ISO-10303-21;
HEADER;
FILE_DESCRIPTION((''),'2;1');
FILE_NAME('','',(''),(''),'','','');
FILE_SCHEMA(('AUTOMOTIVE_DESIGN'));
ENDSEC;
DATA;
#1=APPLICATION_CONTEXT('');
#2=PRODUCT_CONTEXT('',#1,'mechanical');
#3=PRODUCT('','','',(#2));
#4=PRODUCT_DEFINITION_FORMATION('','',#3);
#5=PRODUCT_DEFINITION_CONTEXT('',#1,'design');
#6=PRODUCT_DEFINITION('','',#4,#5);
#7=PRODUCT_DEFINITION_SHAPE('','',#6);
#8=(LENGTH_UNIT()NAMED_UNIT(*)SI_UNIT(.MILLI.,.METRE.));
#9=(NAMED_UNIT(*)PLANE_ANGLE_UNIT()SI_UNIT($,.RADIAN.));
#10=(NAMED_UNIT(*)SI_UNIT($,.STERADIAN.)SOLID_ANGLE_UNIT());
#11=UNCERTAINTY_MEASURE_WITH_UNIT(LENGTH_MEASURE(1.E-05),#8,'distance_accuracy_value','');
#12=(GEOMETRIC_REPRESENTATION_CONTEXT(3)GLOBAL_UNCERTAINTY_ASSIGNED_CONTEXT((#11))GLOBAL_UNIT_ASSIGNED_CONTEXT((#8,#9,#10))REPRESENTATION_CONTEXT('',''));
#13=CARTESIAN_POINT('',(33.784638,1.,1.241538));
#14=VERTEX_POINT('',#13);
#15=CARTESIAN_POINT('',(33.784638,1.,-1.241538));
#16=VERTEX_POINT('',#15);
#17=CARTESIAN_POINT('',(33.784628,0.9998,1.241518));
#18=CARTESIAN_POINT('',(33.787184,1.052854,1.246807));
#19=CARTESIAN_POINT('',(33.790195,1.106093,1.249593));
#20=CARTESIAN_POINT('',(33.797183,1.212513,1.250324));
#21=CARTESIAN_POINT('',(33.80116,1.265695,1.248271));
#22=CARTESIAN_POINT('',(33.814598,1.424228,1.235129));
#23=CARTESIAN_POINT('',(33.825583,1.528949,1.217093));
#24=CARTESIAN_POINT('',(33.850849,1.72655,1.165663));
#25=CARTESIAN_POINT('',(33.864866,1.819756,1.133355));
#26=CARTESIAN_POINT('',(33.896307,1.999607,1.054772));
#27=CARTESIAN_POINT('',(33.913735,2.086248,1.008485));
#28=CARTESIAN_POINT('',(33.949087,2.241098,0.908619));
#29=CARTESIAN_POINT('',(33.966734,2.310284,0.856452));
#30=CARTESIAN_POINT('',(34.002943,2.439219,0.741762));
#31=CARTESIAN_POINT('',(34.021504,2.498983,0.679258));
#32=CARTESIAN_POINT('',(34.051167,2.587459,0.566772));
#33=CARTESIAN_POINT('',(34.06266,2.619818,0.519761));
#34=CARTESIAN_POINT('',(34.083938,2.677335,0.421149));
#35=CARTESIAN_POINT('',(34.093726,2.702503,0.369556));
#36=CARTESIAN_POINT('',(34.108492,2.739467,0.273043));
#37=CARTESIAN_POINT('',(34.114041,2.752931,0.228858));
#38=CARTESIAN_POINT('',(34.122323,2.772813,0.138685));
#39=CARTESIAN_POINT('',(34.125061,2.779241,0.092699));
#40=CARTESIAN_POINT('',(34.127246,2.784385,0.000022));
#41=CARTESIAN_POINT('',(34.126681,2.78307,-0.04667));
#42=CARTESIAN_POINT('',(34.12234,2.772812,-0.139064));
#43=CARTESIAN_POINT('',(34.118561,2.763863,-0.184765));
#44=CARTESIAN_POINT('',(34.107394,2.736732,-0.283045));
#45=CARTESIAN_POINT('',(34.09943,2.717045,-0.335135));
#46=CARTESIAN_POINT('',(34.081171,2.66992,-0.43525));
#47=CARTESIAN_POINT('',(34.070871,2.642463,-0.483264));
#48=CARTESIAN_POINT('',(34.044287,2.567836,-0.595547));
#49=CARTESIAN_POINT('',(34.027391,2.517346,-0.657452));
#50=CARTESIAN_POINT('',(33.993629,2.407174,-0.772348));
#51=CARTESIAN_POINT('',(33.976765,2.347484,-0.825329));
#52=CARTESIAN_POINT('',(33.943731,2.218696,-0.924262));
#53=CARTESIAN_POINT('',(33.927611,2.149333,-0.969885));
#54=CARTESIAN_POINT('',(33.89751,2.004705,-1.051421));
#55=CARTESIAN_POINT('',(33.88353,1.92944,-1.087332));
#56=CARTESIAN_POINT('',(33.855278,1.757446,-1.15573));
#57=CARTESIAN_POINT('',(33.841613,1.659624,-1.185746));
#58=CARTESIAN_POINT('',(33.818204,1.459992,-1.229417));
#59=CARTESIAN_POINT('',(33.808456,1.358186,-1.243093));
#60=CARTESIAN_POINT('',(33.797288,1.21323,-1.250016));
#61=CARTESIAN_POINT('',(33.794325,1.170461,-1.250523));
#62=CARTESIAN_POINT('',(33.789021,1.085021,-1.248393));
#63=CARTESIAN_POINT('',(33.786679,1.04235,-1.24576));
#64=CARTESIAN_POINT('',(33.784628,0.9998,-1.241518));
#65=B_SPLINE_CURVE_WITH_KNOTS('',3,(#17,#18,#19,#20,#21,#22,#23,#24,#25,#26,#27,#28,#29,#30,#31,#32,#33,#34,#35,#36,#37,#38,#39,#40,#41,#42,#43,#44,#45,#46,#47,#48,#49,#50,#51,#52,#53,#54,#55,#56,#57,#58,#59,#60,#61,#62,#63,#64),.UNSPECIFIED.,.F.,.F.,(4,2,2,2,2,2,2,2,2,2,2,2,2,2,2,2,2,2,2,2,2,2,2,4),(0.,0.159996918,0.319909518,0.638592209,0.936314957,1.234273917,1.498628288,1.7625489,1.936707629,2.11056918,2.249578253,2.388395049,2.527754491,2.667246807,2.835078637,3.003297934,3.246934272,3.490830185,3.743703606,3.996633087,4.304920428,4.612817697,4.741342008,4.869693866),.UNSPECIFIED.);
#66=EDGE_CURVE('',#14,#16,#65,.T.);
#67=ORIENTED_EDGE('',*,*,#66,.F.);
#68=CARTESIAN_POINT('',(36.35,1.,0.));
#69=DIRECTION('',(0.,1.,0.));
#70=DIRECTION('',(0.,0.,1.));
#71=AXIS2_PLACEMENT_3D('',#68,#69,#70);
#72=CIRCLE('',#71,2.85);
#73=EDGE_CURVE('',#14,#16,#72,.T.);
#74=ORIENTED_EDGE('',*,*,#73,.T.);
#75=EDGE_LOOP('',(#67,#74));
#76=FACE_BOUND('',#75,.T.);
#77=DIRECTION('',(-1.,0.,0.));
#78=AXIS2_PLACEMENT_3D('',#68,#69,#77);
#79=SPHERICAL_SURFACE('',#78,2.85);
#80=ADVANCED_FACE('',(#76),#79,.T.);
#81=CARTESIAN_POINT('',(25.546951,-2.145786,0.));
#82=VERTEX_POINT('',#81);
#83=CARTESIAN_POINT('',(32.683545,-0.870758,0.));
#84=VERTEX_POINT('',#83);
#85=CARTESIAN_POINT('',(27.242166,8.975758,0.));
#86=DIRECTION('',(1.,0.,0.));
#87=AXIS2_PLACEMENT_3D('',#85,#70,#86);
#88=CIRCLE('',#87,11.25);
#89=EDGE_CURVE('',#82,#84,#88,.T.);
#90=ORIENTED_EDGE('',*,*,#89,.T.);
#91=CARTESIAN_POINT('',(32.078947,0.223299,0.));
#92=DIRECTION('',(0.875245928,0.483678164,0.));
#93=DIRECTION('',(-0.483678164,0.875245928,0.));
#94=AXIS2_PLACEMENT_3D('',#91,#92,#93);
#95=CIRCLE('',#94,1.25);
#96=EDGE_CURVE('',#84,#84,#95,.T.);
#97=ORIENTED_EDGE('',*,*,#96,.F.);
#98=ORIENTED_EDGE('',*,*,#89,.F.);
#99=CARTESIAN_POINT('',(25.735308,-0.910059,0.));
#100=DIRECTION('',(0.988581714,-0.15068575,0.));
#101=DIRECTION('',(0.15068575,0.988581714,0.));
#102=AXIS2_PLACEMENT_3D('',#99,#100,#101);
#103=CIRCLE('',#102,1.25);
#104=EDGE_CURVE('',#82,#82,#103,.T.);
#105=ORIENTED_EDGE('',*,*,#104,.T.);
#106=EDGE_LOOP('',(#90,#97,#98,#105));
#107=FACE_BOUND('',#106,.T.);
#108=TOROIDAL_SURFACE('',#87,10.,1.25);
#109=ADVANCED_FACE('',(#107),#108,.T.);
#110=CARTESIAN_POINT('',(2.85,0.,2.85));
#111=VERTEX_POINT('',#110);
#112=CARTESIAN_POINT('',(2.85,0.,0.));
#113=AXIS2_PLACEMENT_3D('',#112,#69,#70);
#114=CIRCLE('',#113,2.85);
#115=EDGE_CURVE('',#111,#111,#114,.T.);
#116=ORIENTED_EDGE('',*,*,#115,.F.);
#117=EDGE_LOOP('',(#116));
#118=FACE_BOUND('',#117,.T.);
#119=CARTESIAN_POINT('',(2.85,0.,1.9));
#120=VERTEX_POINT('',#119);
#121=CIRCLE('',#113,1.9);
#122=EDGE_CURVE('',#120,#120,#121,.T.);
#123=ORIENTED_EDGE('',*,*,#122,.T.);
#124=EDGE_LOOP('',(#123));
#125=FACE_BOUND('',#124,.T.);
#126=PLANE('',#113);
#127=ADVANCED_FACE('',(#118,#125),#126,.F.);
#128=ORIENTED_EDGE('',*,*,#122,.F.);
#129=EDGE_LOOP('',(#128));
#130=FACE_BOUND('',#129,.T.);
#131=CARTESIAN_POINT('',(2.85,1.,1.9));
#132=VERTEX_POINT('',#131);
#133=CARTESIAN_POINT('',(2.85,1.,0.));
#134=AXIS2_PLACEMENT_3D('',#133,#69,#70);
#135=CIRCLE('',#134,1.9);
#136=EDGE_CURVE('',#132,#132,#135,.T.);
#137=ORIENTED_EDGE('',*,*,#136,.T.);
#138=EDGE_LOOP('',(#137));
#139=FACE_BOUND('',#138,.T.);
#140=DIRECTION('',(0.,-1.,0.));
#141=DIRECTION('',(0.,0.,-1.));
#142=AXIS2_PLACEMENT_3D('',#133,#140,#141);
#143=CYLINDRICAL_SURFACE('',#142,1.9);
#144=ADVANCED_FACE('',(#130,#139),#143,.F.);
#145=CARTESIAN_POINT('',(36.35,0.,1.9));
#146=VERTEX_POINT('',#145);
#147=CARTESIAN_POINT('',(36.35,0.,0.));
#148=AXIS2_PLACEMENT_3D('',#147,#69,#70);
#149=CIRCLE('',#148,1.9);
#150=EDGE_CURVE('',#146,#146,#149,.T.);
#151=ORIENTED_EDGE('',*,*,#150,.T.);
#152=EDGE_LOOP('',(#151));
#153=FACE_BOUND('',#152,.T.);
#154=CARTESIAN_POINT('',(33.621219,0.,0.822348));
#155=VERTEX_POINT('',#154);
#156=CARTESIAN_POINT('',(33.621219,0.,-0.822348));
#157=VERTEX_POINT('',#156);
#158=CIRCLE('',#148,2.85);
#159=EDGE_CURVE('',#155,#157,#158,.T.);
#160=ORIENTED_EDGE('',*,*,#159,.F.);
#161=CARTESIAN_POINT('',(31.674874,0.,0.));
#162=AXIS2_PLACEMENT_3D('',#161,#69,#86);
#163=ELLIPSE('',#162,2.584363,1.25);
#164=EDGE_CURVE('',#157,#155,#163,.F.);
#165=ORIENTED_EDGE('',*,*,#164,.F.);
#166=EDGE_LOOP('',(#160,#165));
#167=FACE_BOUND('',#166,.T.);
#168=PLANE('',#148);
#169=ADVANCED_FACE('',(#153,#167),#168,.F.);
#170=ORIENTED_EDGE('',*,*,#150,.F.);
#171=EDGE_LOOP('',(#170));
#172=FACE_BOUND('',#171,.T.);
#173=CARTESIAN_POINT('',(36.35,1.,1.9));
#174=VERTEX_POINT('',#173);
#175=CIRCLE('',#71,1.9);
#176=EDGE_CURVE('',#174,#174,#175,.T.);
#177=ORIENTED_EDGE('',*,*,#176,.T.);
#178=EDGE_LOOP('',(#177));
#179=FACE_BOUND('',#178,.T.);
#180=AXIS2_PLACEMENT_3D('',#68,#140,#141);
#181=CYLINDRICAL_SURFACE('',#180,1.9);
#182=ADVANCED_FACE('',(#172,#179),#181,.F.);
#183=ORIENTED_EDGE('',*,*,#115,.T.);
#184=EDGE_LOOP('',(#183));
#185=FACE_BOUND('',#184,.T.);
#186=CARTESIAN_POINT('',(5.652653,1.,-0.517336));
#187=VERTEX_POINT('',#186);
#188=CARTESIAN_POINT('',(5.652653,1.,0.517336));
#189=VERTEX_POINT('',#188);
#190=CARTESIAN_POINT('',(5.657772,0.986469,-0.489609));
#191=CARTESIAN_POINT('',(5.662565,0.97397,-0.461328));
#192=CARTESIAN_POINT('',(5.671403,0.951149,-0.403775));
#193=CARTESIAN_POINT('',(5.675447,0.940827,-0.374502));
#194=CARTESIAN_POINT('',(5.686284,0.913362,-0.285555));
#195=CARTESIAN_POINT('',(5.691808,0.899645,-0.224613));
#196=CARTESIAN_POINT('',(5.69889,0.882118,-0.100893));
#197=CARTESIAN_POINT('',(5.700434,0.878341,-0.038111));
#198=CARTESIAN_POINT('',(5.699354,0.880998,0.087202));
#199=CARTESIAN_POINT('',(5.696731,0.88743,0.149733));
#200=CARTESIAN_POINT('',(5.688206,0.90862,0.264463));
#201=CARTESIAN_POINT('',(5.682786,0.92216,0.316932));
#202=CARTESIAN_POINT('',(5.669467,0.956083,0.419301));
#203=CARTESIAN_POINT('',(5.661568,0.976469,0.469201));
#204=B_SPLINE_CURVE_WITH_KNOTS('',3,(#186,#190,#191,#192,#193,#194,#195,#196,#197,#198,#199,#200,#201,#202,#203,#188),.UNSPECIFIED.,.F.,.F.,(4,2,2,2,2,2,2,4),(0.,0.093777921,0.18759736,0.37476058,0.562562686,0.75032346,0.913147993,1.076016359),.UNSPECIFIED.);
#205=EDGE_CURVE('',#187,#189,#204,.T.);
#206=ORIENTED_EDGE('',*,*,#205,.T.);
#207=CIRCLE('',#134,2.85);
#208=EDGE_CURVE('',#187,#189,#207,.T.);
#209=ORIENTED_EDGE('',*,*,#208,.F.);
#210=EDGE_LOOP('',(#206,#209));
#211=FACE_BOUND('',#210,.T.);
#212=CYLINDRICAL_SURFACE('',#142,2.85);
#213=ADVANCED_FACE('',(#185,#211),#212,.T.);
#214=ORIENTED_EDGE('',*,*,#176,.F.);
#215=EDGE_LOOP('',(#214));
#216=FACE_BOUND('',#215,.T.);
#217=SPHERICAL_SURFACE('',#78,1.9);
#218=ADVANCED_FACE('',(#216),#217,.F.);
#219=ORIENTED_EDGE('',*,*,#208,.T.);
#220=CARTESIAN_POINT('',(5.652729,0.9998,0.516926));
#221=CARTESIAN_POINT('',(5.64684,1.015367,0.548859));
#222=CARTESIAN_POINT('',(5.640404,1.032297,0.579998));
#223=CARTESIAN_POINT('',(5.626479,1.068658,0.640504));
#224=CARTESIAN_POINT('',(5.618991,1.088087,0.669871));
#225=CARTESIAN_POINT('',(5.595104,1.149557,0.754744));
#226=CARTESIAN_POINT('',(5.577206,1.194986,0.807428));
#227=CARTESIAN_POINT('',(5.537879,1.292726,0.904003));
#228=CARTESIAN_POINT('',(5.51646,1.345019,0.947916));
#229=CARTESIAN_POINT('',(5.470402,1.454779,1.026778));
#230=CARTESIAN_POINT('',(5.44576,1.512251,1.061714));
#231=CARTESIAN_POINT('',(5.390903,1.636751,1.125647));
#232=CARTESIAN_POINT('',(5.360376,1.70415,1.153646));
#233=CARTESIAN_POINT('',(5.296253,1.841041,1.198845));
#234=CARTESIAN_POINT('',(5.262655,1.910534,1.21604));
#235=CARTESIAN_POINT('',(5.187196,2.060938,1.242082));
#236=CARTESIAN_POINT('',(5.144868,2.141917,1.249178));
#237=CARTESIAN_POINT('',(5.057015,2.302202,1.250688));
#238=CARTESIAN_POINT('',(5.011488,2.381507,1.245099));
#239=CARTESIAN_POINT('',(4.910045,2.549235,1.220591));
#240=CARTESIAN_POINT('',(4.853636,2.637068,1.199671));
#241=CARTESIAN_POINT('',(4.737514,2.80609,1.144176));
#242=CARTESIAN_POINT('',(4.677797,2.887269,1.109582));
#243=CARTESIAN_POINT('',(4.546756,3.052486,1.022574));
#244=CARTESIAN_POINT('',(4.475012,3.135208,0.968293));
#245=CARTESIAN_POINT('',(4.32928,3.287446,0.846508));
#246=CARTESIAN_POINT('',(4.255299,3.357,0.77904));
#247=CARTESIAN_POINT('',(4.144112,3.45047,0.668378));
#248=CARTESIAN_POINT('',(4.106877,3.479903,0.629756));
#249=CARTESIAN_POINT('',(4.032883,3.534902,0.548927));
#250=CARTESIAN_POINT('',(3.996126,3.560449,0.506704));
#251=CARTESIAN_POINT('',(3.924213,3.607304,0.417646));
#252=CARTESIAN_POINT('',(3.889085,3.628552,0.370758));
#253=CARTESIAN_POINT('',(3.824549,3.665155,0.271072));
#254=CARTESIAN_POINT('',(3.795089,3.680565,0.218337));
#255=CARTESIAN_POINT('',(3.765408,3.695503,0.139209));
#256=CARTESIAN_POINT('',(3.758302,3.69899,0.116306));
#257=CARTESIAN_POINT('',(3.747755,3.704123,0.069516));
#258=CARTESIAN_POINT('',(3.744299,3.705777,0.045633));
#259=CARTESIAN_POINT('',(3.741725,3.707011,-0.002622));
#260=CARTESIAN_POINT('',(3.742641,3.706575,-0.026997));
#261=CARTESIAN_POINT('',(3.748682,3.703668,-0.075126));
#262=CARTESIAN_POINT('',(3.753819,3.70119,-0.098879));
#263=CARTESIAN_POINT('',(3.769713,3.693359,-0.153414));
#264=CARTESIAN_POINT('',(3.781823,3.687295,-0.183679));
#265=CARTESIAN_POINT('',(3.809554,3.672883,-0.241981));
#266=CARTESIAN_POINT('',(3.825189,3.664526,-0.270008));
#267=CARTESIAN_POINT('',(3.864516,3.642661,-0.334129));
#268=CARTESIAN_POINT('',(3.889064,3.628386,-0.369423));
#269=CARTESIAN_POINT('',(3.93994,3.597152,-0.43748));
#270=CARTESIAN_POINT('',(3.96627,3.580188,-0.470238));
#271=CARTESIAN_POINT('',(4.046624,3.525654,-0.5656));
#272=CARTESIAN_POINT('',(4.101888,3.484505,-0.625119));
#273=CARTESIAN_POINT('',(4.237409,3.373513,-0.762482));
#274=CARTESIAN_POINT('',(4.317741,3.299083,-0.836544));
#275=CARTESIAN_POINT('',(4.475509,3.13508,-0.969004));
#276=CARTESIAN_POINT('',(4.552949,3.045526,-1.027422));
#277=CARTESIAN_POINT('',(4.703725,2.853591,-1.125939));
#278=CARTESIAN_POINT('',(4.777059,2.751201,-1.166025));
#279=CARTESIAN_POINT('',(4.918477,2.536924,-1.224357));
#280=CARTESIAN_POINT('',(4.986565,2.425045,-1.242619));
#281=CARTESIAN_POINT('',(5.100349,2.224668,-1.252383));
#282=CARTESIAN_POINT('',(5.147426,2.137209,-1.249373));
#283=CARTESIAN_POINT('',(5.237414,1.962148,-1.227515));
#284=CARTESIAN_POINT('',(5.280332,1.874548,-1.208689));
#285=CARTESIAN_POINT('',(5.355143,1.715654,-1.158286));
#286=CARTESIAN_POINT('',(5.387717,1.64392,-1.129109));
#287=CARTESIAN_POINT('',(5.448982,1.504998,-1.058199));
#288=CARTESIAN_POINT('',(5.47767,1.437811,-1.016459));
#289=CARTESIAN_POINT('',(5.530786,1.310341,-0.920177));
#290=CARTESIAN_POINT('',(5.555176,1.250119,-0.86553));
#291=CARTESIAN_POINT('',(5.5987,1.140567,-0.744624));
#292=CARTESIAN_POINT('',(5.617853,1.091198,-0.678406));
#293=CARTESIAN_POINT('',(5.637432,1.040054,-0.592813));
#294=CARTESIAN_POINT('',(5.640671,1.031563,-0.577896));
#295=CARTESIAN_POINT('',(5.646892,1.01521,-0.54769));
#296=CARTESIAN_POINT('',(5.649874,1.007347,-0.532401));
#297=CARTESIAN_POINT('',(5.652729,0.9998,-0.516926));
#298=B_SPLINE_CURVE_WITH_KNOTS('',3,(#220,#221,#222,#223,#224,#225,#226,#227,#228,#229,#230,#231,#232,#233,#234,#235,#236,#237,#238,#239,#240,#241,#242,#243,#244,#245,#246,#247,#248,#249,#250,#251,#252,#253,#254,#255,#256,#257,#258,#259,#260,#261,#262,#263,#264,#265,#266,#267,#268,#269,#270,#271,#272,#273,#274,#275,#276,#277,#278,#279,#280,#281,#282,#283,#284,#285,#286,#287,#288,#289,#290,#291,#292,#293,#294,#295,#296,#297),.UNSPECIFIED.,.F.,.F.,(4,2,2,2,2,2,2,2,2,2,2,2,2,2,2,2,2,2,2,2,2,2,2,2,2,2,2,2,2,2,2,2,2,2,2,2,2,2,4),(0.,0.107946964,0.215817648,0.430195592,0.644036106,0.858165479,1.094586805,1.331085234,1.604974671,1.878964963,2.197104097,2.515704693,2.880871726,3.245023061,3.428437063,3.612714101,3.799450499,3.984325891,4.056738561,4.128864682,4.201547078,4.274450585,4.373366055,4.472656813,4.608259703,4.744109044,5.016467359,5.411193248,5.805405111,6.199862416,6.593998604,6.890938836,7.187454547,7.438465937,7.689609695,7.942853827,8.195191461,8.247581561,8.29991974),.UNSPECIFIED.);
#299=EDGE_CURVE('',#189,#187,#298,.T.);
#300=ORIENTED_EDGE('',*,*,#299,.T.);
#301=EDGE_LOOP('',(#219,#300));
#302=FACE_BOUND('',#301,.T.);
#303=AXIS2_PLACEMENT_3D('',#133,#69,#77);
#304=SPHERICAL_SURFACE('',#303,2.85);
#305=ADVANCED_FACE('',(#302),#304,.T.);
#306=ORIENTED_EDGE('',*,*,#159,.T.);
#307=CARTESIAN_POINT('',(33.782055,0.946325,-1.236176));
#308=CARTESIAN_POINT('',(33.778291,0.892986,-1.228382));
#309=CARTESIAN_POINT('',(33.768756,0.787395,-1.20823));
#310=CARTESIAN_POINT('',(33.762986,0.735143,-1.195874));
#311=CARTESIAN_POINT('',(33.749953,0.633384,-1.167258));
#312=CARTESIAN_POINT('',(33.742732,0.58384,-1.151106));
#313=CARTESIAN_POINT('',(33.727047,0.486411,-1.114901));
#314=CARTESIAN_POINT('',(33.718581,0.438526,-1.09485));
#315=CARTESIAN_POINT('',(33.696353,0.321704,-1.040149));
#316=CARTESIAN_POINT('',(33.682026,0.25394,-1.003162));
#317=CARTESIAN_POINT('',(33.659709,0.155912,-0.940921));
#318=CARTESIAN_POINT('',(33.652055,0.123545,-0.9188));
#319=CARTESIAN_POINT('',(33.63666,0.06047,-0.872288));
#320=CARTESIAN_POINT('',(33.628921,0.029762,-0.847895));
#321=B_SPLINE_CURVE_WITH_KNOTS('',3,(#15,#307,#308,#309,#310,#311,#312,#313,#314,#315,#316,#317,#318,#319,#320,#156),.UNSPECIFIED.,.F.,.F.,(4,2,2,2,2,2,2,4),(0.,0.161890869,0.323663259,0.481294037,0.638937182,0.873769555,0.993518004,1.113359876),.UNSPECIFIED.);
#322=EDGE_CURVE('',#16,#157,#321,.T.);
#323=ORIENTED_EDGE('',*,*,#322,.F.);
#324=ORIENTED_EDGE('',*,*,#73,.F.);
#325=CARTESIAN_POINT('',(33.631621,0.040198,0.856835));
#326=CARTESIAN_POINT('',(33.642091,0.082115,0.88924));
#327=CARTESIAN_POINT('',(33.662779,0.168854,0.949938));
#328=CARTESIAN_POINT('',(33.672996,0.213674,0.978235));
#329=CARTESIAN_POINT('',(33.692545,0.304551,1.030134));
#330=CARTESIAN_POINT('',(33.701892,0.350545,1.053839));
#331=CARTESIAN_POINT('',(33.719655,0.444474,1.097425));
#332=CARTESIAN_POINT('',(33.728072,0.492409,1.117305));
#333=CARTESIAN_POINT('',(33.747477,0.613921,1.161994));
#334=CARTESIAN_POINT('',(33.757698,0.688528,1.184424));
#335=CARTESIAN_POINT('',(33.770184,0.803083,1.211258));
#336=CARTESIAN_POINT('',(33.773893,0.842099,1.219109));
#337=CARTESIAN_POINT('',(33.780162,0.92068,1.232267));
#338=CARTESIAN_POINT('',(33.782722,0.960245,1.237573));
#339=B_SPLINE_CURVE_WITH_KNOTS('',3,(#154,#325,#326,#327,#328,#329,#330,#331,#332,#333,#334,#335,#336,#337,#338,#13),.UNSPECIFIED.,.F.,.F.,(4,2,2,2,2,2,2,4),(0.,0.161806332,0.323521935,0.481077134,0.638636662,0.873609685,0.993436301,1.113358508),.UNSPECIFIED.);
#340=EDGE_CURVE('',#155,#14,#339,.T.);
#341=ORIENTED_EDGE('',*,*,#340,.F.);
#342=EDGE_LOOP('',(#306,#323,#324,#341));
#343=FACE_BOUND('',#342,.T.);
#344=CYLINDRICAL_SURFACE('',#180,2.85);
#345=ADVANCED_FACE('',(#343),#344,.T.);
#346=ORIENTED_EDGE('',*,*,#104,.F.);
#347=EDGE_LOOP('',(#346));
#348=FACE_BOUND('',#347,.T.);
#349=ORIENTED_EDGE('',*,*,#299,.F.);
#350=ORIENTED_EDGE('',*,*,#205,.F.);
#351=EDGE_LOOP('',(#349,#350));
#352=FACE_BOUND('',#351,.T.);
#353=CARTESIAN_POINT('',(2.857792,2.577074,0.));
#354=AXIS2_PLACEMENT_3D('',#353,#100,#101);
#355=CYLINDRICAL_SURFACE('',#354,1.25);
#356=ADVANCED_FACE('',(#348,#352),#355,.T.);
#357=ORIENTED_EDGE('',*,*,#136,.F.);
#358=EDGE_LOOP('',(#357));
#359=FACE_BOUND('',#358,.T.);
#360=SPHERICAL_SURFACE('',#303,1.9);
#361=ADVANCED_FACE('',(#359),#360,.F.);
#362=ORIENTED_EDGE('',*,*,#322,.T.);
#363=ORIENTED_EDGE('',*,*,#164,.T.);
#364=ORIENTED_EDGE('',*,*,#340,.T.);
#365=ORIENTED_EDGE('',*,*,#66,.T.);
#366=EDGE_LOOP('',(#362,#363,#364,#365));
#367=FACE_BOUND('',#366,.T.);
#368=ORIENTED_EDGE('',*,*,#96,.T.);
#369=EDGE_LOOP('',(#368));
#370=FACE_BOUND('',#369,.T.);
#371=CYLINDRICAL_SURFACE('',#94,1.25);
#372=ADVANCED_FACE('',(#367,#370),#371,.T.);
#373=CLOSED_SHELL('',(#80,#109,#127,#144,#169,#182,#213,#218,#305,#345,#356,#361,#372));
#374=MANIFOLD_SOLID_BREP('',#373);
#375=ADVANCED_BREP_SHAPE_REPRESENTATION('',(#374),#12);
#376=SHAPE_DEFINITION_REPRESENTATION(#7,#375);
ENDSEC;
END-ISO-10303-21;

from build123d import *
from build123d.topology import SkipClean

# Parameters (mm, degrees)
SKETCH1_R             = 2.85
SKETCH1_R_2           = 1.9
BOSS_EXTRUDE1_DEPTH   = 1
BOSS_EXTRUDE1_2_DEPTH = 1
SKETCH6_R             = 1.25


with BuildPart() as part:
    # Sketch1 → Boss-Extrude1 (new body)
    with BuildSketch(Plane(origin=(0, 0, 0), x_dir=(1, 0, 0), z_dir=(0, 1, 0))):
        with Locations(Location((2.85, 0, 0), (0, 0, 270))):
            Circle(SKETCH1_R)
        with Locations(Location((2.85, 0, 0), (0, 0, 270))):
            Circle(SKETCH1_R_2, mode=Mode.SUBTRACT)
    extrude(amount=BOSS_EXTRUDE1_DEPTH)

    # Sketch2 → Revolve1 (revolve)
    with BuildSketch(Plane.XY):
        with BuildLine():
            Line((0.95, 1), (0, 1))
            ThreePointArc((0, 1), (0.834745674, 3.015254326), (2.85, 3.85))
            Line((2.85, 3.85), (2.85, 2.9))
            ThreePointArc((2.85, 2.9), (1.506497116, 2.343502884), (0.95, 1))
        make_face()
    revolve(axis=Axis((2.85, 3.85, 0), (0, -1, 0)))



with BuildPart() as body_2:
    # Sketch1 → Boss-Extrude1 2 (new body)
    with BuildSketch(Plane(origin=(0, 0, 0), x_dir=(1, 0, 0), z_dir=(0, 1, 0))):
        with Locations(Location((36.35, 0, 0), (0, 0, 270))):
            Circle(SKETCH1_R)
        with Locations(Location((36.35, 0, 0), (0, 0, 270))):
            Circle(SKETCH1_R_2, mode=Mode.SUBTRACT)
    extrude(amount=BOSS_EXTRUDE1_2_DEPTH)

    # Sketch3 → Revolve2 (revolve)
    with BuildSketch(Plane.XY):
        with BuildLine():
            Line((34.45, 1), (33.5, 1))
            ThreePointArc((33.5, 1), (34.334745674, 3.015254326), (36.35, 3.85))
            Line((36.35, 3.85), (36.35, 2.9))
            ThreePointArc((36.35, 2.9), (35.006497116, 2.343502884), (34.45, 1))
        make_face()
    revolve(axis=Axis((36.35, 3.85, 0), (0, -1, 0)))


with BuildPart() as part_1:
    add(part.part)

    add(body_2.part)  # Sweep2 merges body 2
    # Sweep2: sweep along a path in Sketch4
    with BuildLine(Plane.XY) as sweep2_path:
        Line((2.857791508, 2.577073997), (25.735308166, -0.910058828))
        ThreePointArc((25.735308166, -0.910058828), (29.000921957, -0.868365637), (32.078947298, 0.223299034))
        Line((32.078947298, 0.223299034), (36.338250501, 2.577073997))
    # Sketch6 → Sweep2 (sweep)
    with BuildSketch(Plane(origin=(2.857791508, 2.577073997, 0), x_dir=(0, 0, -1), z_dir=(0.9885817138183747, -0.1506857495051383, 0))):
        Circle(SKETCH6_R)
    sweep(path=sweep2_path.line)

    # Sketch2<3> → Cut-Revolve2 (revolve, cut)
    with BuildSketch(Plane.XY, mode=Mode.PRIVATE) as cut_revolve2_sk:
        with BuildLine():
            ThreePointArc((0.95, 1), (1.506497116, 2.343502884), (2.85, 2.9))
            Line((2.85, 2.9), (2.85, 0))
            Line((2.85, 0), (0.95, 0))
            Line((0.95, 0), (0.95, 1))
        make_face()
    revolve(cut_revolve2_sk.sketch.rotate(Axis((2.85, 2.9, 0), (0, -1, 0)), 169.541612369), axis=Axis((2.85, 2.9, 0), (0, -1, 0)), mode=Mode.SUBTRACT)

    # Sketch3<3> → Cut-Revolve3 (revolve, cut)
    with SkipClean():  # the faces are left unmerged after this step: merging them gives an invalid solid
        with BuildSketch(Plane.XY):
            with BuildLine():
                ThreePointArc((34.45, 1), (35.006497116, 2.343502884), (36.35, 2.9))
                Line((36.35, 2.9), (36.35, 0))
                Line((36.35, 0), (34.45, 0))
                Line((34.45, 0), (34.45, 1))
            make_face()
        revolve(axis=Axis((36.35, 2.9, 0), (0, -1, 0)), mode=Mode.SUBTRACT)


solid = part_1.part
